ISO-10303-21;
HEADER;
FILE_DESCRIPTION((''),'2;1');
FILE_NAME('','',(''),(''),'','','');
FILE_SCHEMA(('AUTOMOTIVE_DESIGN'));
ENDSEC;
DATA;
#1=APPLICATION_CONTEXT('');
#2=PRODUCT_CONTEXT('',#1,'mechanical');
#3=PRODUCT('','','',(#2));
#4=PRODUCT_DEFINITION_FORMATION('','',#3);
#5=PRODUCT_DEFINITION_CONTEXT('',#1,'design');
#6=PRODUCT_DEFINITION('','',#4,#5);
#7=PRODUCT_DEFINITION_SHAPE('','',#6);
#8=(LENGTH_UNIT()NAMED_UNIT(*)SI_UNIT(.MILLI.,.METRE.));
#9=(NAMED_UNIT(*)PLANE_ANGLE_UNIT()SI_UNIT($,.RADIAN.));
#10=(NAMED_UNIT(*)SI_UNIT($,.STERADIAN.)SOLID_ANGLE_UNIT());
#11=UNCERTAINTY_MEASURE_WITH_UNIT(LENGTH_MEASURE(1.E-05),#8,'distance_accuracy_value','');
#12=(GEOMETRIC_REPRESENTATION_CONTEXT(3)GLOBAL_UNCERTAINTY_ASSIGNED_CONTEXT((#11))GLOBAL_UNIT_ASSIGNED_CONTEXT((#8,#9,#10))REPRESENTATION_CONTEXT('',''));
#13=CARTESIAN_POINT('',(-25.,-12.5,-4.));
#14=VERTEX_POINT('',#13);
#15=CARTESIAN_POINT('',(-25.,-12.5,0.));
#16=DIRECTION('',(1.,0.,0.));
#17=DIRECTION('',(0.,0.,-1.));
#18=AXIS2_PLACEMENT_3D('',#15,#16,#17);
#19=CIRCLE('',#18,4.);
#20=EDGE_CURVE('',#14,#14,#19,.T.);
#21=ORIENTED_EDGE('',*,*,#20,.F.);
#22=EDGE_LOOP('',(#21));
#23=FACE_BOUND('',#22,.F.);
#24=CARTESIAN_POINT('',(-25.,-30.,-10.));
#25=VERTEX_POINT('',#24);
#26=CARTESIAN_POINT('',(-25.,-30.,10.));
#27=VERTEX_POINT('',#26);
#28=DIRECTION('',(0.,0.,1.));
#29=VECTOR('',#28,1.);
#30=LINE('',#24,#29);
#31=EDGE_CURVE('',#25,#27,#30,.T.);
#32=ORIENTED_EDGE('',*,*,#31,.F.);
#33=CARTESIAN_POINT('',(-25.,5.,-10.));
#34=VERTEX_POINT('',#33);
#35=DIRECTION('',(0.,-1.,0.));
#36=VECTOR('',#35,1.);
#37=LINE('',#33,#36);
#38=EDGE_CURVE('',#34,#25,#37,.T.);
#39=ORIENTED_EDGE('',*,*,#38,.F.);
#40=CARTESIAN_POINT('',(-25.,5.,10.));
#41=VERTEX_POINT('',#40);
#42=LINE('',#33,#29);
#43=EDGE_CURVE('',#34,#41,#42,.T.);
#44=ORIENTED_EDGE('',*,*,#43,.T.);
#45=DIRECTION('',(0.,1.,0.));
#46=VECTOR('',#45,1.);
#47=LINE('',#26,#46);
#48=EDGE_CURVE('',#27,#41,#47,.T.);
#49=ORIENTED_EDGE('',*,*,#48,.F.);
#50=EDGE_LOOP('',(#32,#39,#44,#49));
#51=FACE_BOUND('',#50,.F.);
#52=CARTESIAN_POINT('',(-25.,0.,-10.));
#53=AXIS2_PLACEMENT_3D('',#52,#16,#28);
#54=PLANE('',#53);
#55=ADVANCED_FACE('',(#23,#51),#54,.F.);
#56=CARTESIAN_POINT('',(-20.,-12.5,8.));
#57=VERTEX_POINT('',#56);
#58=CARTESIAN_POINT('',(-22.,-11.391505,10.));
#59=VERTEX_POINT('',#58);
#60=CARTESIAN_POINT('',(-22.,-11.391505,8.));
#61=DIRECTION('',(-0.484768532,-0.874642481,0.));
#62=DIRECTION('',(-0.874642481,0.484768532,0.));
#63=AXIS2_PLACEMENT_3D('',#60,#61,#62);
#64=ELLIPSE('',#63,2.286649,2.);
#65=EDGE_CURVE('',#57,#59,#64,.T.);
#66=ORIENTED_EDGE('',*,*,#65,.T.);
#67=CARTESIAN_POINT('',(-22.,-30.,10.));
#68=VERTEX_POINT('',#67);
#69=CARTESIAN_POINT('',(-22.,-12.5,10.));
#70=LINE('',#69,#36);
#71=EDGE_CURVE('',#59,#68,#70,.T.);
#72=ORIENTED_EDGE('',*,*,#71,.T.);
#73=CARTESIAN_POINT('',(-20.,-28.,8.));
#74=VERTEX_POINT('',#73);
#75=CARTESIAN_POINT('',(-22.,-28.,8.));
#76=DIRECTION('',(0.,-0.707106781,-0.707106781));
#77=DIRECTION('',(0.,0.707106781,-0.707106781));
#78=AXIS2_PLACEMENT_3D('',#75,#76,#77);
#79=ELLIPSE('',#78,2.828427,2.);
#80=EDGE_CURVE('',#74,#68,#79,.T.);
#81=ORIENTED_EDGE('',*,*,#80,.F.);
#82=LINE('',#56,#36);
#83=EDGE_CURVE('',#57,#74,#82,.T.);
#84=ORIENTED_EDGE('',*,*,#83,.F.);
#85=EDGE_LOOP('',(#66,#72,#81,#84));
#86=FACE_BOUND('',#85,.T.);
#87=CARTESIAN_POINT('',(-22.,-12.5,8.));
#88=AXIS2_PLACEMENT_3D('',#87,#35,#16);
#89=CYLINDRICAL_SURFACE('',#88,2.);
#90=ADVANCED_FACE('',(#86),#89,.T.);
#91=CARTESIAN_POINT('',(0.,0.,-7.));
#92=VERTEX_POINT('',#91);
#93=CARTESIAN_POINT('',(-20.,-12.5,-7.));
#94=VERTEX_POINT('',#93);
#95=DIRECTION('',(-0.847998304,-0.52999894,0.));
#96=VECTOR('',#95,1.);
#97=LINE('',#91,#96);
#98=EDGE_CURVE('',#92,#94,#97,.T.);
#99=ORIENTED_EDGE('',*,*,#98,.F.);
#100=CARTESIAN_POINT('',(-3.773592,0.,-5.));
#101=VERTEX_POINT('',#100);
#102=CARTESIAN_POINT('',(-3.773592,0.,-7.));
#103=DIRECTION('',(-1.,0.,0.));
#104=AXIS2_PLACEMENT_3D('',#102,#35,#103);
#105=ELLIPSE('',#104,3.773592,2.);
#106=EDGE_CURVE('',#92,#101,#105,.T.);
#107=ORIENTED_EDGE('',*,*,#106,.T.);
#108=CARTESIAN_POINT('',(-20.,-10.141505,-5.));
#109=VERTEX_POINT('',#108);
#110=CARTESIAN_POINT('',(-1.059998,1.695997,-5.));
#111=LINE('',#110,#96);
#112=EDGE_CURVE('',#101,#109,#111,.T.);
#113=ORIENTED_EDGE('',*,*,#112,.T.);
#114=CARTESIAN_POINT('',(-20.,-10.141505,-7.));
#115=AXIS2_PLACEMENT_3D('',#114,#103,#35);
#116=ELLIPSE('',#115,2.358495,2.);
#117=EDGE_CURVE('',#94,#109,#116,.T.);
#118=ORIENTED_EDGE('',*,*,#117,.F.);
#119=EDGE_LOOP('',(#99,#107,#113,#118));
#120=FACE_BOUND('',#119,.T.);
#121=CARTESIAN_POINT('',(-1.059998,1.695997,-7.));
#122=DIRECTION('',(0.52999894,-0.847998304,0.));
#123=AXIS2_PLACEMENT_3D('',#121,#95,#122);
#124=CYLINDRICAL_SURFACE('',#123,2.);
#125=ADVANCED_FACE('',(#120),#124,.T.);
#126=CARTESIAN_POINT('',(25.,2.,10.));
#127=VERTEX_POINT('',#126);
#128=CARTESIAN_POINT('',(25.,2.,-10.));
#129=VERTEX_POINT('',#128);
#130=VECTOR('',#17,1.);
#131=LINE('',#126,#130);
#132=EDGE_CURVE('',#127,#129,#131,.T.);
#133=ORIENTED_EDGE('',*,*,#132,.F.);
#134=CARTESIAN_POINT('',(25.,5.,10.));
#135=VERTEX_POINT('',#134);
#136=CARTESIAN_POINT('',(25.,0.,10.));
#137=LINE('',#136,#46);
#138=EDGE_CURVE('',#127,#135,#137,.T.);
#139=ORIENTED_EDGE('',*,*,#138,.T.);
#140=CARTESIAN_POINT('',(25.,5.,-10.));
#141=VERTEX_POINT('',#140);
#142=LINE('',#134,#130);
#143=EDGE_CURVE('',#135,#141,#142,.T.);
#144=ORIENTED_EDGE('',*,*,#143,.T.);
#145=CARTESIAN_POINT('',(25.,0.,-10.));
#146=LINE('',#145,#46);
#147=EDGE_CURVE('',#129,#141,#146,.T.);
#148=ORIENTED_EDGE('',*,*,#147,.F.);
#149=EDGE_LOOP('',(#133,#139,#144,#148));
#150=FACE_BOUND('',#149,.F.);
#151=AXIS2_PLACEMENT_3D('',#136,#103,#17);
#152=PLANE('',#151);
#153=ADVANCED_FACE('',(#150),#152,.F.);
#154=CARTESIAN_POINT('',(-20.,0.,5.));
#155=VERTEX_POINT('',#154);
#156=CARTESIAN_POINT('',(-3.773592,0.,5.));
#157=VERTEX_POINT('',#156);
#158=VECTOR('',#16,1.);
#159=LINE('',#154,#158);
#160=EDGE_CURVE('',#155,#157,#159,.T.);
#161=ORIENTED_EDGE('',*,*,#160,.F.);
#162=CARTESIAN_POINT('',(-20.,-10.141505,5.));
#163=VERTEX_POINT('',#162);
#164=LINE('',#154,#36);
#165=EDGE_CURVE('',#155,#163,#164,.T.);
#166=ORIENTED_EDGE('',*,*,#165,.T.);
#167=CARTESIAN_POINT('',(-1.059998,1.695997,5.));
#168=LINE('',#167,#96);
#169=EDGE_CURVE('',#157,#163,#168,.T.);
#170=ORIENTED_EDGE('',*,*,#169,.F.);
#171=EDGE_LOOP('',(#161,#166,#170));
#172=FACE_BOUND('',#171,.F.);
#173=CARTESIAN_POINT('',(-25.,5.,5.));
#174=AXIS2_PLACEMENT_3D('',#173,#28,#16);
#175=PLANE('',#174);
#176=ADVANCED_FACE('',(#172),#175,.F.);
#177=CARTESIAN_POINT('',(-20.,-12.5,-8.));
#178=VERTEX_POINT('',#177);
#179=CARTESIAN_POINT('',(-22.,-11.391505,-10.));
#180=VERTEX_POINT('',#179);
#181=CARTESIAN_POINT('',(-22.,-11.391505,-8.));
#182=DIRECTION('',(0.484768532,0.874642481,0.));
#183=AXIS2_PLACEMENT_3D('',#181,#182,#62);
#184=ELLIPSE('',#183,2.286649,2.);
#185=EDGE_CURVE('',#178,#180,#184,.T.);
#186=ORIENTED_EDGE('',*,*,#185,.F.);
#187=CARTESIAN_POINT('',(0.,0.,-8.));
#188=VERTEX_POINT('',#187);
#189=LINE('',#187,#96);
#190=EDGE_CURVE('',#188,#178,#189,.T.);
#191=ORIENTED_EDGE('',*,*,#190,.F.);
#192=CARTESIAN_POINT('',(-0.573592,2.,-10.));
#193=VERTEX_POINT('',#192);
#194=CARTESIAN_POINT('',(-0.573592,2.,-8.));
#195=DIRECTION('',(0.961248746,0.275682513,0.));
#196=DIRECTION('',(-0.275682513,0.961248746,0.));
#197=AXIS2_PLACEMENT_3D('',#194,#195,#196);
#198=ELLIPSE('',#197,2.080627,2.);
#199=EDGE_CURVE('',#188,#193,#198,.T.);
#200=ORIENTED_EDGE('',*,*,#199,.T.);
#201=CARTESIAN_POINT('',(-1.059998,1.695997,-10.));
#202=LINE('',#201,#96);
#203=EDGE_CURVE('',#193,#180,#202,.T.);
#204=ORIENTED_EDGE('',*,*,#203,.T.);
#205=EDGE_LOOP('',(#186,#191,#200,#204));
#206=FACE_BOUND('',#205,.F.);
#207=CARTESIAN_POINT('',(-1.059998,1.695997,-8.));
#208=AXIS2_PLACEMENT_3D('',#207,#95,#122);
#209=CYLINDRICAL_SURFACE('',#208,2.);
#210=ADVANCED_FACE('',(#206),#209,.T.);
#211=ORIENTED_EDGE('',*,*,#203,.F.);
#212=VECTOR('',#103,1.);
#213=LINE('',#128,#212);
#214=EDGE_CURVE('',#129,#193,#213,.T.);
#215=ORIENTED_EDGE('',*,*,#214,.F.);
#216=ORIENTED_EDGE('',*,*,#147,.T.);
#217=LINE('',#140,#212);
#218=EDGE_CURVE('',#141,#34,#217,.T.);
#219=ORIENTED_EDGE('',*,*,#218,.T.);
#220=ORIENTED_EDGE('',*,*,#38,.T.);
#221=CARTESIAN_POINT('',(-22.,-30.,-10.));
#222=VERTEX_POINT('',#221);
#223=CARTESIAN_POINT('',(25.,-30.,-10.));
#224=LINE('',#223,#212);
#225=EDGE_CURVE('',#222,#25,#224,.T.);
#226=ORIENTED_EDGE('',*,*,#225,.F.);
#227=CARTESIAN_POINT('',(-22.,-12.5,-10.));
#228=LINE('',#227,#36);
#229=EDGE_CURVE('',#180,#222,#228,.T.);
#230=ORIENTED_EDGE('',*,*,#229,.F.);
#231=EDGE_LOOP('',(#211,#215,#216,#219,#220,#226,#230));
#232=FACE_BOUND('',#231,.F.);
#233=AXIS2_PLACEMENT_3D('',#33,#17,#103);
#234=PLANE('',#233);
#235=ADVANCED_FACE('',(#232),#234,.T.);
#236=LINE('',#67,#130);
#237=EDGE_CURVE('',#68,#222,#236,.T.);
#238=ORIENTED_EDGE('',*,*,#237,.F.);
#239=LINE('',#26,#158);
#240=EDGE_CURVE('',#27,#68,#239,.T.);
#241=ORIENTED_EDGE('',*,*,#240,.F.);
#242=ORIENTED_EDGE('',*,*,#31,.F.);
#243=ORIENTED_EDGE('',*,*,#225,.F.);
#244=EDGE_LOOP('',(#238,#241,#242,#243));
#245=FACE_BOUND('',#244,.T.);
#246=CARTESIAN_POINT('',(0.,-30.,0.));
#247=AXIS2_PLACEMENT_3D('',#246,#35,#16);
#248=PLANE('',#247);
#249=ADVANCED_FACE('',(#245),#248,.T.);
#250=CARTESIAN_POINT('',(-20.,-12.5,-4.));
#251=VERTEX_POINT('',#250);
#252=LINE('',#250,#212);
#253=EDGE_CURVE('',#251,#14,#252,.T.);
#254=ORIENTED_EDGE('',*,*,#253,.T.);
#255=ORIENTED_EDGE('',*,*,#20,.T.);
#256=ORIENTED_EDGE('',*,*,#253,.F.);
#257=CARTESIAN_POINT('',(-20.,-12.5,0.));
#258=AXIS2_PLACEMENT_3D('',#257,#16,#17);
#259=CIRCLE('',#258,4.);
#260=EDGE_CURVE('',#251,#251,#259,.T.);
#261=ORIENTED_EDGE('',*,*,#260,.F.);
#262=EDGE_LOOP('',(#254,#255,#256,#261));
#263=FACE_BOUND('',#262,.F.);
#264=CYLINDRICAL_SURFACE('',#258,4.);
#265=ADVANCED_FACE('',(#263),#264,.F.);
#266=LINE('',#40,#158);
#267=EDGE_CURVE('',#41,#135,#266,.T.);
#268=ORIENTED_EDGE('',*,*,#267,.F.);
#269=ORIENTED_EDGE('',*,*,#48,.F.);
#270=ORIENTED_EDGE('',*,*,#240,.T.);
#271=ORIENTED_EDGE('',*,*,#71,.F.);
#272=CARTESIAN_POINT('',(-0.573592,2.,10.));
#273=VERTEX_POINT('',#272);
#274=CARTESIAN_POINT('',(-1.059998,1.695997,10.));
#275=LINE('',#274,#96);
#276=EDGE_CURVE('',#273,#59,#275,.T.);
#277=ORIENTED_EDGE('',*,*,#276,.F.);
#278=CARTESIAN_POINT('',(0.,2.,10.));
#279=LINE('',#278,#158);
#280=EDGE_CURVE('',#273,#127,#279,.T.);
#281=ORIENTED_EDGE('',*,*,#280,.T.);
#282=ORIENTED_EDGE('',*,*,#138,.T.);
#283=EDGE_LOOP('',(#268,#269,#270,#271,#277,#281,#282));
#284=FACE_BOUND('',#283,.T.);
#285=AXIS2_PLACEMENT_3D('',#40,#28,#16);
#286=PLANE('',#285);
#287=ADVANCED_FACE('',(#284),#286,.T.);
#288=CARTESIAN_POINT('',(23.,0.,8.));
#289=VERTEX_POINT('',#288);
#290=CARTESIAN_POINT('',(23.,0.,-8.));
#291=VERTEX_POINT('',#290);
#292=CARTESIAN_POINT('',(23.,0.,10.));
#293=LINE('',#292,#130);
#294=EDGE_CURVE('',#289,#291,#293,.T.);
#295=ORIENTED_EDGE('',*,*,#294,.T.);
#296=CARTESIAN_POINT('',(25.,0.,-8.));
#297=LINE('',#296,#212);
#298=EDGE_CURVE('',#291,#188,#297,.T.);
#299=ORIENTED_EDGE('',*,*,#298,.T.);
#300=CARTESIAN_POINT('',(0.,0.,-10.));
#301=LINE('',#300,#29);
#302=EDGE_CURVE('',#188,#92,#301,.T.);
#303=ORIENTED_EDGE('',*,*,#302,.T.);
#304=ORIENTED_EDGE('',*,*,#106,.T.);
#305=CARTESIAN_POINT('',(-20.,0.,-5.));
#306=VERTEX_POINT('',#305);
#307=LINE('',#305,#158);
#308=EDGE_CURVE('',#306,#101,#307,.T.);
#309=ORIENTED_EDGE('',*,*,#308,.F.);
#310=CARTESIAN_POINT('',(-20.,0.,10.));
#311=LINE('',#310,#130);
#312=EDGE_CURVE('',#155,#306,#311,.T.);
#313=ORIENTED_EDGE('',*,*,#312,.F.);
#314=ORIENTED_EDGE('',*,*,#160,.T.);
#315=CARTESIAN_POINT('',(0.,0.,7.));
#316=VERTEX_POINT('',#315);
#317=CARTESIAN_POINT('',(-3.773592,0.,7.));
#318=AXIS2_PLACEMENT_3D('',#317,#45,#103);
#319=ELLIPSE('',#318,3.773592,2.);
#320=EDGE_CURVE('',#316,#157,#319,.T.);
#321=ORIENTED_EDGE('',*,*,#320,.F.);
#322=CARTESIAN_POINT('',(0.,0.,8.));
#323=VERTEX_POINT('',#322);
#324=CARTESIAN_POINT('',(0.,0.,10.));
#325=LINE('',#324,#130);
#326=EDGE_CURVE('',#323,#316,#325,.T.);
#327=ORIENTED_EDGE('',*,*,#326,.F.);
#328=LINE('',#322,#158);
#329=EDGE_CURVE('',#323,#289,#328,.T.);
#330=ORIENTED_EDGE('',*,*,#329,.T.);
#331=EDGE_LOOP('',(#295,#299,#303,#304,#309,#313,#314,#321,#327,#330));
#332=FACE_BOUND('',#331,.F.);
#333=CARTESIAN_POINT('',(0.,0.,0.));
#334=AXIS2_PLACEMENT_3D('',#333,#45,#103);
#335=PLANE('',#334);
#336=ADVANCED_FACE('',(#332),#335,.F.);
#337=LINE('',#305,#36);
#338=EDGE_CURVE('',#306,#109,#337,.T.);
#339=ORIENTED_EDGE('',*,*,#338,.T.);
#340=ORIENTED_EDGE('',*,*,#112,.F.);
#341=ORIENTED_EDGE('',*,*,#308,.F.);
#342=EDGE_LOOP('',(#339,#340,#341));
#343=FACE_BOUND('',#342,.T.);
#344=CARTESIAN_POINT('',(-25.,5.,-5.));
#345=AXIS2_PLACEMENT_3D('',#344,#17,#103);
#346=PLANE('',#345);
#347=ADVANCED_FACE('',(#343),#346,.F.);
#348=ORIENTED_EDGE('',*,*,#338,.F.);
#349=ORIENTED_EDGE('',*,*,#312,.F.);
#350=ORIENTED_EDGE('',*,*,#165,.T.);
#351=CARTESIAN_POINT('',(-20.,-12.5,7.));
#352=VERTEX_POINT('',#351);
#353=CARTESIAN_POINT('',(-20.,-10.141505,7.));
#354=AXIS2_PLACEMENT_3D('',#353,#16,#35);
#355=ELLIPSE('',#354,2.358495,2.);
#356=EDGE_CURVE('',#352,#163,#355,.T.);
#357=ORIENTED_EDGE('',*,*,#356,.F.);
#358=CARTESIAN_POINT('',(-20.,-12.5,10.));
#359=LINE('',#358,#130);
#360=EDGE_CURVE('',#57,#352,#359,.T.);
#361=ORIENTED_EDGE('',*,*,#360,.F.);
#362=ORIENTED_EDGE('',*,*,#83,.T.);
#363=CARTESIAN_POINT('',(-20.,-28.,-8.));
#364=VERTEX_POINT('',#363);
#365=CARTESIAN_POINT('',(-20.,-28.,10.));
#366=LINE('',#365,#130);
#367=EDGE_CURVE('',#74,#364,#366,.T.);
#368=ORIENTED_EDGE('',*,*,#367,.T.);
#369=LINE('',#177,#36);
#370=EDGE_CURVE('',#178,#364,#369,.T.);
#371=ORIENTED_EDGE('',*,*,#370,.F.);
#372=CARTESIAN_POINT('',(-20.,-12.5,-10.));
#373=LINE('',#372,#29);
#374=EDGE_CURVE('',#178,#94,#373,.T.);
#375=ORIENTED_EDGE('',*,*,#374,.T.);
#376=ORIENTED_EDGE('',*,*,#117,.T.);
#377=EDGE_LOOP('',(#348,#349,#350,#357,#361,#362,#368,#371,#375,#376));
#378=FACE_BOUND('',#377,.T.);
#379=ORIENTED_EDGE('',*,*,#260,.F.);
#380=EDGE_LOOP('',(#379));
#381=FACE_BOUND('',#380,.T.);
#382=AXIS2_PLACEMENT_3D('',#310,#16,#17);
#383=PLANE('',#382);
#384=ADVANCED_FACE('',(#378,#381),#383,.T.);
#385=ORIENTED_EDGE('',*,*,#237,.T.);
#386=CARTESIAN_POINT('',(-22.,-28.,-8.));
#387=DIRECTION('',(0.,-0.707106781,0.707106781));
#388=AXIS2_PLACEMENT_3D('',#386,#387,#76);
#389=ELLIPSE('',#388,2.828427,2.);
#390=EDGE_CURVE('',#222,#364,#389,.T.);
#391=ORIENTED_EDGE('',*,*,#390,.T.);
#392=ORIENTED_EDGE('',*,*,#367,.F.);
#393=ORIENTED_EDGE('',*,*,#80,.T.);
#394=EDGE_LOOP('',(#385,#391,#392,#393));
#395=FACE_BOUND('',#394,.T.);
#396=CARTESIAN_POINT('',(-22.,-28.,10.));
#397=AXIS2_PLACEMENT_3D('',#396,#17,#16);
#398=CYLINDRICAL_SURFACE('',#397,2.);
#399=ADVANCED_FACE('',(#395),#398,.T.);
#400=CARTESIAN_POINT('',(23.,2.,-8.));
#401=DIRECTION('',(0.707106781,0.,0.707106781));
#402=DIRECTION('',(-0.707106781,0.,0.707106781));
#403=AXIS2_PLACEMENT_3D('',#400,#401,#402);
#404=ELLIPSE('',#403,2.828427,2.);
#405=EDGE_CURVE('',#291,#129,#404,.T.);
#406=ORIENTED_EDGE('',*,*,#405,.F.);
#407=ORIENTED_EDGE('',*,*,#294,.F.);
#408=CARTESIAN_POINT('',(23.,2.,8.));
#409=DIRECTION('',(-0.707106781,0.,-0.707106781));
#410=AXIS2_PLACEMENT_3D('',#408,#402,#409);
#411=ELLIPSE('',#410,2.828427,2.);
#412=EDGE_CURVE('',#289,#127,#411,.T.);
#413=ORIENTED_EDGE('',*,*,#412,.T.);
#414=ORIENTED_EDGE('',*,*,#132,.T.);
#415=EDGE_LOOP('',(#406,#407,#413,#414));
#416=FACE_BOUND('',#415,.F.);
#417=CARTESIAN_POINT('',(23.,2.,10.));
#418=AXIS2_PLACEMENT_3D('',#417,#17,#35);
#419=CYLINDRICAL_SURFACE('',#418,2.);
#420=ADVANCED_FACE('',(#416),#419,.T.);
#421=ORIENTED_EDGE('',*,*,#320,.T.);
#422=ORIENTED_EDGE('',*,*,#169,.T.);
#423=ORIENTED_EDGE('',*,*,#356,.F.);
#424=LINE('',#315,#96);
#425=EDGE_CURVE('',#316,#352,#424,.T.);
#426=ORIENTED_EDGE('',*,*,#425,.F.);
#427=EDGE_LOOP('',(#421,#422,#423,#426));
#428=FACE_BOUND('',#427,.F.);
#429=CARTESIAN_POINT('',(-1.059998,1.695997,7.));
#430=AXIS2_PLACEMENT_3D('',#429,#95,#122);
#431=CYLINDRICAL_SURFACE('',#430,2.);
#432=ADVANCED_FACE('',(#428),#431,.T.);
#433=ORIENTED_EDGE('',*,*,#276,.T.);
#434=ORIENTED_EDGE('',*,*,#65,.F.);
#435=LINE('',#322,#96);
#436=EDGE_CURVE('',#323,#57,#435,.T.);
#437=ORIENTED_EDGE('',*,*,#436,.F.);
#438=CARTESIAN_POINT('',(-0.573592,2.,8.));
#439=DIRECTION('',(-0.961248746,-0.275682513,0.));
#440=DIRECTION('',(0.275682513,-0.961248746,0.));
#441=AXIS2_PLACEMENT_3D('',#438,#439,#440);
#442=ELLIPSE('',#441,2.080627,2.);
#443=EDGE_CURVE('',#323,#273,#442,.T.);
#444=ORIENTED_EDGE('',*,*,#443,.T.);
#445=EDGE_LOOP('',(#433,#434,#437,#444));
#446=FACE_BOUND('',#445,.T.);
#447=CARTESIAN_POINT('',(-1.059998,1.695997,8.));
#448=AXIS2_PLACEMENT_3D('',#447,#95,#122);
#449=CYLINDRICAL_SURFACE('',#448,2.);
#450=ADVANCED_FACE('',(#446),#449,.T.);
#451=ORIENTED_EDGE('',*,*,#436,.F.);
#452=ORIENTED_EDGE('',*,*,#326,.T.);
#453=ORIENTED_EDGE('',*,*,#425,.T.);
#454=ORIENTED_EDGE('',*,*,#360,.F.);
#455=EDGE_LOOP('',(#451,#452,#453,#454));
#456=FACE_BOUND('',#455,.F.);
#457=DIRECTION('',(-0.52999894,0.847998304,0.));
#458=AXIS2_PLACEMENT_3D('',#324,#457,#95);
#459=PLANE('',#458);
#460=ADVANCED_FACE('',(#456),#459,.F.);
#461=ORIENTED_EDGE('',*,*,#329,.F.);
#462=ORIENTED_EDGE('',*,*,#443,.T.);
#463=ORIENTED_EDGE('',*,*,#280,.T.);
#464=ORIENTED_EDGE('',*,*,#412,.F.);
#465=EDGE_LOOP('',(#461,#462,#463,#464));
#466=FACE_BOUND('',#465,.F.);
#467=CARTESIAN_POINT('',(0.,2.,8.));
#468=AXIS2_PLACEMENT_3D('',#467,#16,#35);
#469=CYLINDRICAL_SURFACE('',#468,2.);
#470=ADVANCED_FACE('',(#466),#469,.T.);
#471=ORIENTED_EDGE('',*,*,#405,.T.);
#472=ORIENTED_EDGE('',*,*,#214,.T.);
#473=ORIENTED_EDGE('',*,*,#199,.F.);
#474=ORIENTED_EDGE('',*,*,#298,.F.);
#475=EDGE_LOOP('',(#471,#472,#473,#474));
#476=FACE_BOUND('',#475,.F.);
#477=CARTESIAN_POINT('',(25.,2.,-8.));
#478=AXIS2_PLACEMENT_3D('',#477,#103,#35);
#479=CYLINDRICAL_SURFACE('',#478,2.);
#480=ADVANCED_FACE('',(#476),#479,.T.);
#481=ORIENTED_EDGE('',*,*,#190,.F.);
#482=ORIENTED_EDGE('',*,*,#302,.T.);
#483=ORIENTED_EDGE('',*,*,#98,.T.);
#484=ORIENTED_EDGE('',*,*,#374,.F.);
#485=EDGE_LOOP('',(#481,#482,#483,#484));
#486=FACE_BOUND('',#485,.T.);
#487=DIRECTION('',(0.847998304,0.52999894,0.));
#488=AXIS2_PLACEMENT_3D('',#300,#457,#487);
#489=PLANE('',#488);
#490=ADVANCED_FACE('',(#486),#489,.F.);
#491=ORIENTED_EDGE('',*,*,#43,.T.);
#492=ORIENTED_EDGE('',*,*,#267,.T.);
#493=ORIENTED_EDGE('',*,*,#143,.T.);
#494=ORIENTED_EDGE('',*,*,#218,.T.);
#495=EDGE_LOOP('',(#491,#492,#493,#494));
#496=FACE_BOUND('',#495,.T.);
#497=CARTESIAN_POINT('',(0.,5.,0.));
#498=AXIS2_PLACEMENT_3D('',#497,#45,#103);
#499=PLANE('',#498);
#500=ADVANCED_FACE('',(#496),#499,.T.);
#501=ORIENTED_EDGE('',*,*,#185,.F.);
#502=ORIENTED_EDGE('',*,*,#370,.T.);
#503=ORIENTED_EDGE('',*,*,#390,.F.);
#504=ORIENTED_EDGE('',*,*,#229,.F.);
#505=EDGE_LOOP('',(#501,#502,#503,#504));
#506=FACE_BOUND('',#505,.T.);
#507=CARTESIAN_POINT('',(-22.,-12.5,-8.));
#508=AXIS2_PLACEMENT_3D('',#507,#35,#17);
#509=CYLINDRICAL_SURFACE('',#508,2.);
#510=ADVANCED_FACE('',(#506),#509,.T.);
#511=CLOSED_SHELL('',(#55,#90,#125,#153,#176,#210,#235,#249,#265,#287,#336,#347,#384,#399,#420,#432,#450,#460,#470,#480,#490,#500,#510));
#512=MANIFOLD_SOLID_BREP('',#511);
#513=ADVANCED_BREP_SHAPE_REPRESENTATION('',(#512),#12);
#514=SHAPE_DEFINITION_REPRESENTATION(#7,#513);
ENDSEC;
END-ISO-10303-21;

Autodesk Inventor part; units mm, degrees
ref_plane "YZ Plane" through (0, 0, 0) normal (1, 0, 0) x (0, 1, 0)
ref_plane "XZ Plane" through (0, 0, 0) normal (0, 1, 0) x (-1, 0, 0)
ref_plane "XY Plane" through (0, 0, 0) normal (0, 0, 1) x (1, 0, 0)
sketch "Sketch1" plane through (0, 0, 0) normal (0, 1, 0) x (-1, 0, 0)
  line L0 (25, 10) -> (-25, 10)
  line L1 (-25, 10) -> (-25, -10)
  line L2 (-25, -10) -> (25, -10)
  line L3 (25, -10) -> (25, 10)
  line L4 (25, 10) -> (-25, -10) construction
  line L5 (-25, 10) -> (25, -10) construction
  point P0 (0, 0)
  dimension "d0" = 50
  dimension "d1" = 20
extrude "Extrusion1" add sketch "Sketch1" along normal blind 5
sketch "Sketch2" plane through (0, 0, 0) normal (0, -1, 0) x (1, 0, 0)
  line L0 (-25, -10) -> (-25, 10) projected
  line L1 (-25, 10) -> (-20, 10)
  line L2 (-25, 10) -> (25, 10) projected
  line L3 (-20, 10) -> (-20, -10)
  line L4 (25, -10) -> (-25, -10) projected
  line L5 (-25, -10) -> (-20, -10)
  line L6 (-25, 10) -> (-25, -10)
  point P0 (0, 0)
  dimension "d4" = 5
extrude "Extrusion2" add sketch "Sketch2" along normal blind 30
sketch "Sketch3" plane through (-20, 0, 10) normal (1, 0, 0) x (0, 0, -1)
  point P0 (10, 0)
sketch "Sketch4" plane through (-25, 5, 10) normal (0, 0, 1) x (1, 0, 0)
  line L0 (5, -5) -> (50, -5) projected
  line L1 (50, -5) -> (50, 0) projected
  line L2 (0, 0) -> (50, 0) projected
  line L3 (0, -35) -> (0, 0) projected
  line L4 (5, -35) -> (0, -35) projected
  line L5 (5, -5) -> (5, -35) projected
  line L6 (25, -5) -> (5, -17.5)
  dimension "d7" = 10.6
extrude "Extrusion3" add sketch "Sketch4" against normal blind 5 contours L0 L6 L5
mirror "Mirror1" about plane through (0, 0, 0) normal (0, 0, 1) of "Extrusion3"
sketch "Sketch5" plane through (-20, -30, 10) normal (1, 0, 0) x (0, 0, -1)
  circle A0 centre (10, 17.5) radius 4
  line L0 (0, 30) -> (20, 30) projected
  line L1 (0, 17.5) -> (0, 0) projected
  point P0 (10, 30)
  point P1 (10, 30)
  dimension "d10" = 8
  dimension "d11" = 12.5
  dimension "d12" = 10
extrude "Extrusion4" cut sketch "Sketch5" against normal blind 5
fillet "Fillet1" radius 2 2 edges at (-10, -6.25, 5) (-10, -6.25, -5)
fillet "Fillet2" radius 2 8 edges at (12.5, 0, -10) (-10, -6.25, -10) (25, 0, 0) (12.5, 0, 10) (-10, -6.25, 10) (-20, -21.25, -10) (-20, -30, 0) (-20, -21.25, 10)
